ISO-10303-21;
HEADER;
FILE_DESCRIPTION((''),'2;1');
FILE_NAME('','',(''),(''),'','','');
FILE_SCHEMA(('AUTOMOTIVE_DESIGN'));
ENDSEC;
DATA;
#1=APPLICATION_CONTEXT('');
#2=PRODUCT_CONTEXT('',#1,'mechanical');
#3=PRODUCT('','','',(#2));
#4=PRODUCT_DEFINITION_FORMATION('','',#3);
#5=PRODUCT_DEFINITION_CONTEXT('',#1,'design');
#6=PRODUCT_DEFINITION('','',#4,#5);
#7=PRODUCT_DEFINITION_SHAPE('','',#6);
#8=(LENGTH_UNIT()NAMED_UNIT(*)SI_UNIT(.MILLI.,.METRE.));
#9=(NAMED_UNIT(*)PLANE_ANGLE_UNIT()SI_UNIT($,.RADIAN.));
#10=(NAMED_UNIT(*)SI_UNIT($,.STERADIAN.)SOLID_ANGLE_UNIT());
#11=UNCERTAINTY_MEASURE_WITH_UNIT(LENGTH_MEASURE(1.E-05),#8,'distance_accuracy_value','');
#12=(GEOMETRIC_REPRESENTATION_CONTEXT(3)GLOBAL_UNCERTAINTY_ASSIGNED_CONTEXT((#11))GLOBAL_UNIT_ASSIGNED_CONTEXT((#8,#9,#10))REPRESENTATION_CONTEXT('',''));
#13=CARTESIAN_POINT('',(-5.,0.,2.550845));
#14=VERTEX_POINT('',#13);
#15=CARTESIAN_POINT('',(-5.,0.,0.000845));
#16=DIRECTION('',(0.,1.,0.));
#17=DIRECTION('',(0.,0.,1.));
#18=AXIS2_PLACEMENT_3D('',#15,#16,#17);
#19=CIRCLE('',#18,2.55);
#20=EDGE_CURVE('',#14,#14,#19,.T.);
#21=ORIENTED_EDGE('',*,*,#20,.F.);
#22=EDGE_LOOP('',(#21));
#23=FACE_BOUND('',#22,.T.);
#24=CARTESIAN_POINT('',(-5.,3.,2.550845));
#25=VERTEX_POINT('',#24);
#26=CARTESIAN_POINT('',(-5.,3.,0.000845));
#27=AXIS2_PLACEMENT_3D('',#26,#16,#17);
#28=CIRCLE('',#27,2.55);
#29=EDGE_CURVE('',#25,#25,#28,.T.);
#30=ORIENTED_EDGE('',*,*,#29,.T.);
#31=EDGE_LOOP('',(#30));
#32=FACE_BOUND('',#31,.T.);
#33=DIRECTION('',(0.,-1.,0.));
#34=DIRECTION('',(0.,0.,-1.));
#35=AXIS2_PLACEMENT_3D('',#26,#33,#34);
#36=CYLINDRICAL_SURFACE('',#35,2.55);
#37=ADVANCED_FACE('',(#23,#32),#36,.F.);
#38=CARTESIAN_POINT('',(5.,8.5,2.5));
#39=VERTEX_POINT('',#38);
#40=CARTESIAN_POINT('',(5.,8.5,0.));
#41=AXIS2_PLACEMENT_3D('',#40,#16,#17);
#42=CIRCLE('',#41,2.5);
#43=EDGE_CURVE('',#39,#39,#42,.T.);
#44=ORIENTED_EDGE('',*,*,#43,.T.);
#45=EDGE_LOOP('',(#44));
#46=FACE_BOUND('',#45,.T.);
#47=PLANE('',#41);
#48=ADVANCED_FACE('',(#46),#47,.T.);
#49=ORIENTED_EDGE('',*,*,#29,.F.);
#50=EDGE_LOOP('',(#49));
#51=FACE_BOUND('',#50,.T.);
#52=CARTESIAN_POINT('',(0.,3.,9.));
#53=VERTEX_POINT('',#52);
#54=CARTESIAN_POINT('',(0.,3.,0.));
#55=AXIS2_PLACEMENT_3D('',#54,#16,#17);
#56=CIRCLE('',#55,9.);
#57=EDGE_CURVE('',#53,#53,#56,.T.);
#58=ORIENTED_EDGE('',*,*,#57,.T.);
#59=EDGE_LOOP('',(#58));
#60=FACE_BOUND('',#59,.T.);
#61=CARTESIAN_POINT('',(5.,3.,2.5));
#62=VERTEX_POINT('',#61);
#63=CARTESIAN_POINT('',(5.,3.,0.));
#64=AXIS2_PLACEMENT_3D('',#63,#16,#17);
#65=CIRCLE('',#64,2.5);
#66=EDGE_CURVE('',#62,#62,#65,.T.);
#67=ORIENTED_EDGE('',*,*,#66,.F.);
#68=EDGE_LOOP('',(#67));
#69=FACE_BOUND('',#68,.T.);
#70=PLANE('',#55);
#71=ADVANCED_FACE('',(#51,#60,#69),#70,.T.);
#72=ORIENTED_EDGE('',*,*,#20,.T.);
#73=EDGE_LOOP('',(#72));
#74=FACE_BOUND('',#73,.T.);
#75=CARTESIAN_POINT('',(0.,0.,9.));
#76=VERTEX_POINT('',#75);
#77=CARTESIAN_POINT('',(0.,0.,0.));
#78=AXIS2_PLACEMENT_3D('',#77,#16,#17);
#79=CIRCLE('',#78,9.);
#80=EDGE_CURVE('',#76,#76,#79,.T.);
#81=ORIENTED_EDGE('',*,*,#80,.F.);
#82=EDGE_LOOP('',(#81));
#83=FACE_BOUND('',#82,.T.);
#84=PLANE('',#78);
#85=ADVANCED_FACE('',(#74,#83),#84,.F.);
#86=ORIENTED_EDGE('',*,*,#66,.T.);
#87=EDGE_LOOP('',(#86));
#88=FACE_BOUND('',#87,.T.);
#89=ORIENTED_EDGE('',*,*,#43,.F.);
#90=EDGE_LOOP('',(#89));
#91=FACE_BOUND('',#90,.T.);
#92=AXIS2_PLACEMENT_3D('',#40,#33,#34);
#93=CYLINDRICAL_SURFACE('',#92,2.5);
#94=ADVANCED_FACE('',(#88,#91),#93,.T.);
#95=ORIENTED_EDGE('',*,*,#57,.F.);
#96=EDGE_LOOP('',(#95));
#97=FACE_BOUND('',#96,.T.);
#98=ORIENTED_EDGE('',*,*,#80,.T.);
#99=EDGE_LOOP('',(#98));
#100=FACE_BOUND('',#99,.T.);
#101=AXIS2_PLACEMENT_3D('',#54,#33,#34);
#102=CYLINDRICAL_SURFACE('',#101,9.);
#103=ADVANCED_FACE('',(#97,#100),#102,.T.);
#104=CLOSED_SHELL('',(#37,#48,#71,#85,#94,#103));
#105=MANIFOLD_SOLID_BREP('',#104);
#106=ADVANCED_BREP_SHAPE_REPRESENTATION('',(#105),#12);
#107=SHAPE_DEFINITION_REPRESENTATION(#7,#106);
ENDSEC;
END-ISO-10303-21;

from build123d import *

# Parameters (mm, degrees)
SKETCH1_R           = 9
SKETCH1_R_2         = 2.55
BOSS_EXTRUDE1_DEPTH = 3
SKETCH2_R           = 2.5
BOSS_EXTRUDE2_DEPTH = 5.5


with BuildPart() as part:
    # Sketch1 → Boss-Extrude1 (new body)
    with BuildSketch(Plane(origin=(0, 0, 0), x_dir=(1, 0, 0), z_dir=(0, 1, 0))):
        Circle(SKETCH1_R)
        with Locations((-5, -0.000844513)):
            Circle(SKETCH1_R_2, mode=Mode.SUBTRACT)
    extrude(amount=BOSS_EXTRUDE1_DEPTH)

    # Sketch2 → Boss-Extrude2 (add)
    with BuildSketch(Plane(origin=(0, 3, 0), x_dir=(1, 0, 0), z_dir=(0, 1, 0))):
        with Locations((5, 0)):
            Circle(SKETCH2_R)
    extrude(amount=BOSS_EXTRUDE2_DEPTH)


solid = part.part
